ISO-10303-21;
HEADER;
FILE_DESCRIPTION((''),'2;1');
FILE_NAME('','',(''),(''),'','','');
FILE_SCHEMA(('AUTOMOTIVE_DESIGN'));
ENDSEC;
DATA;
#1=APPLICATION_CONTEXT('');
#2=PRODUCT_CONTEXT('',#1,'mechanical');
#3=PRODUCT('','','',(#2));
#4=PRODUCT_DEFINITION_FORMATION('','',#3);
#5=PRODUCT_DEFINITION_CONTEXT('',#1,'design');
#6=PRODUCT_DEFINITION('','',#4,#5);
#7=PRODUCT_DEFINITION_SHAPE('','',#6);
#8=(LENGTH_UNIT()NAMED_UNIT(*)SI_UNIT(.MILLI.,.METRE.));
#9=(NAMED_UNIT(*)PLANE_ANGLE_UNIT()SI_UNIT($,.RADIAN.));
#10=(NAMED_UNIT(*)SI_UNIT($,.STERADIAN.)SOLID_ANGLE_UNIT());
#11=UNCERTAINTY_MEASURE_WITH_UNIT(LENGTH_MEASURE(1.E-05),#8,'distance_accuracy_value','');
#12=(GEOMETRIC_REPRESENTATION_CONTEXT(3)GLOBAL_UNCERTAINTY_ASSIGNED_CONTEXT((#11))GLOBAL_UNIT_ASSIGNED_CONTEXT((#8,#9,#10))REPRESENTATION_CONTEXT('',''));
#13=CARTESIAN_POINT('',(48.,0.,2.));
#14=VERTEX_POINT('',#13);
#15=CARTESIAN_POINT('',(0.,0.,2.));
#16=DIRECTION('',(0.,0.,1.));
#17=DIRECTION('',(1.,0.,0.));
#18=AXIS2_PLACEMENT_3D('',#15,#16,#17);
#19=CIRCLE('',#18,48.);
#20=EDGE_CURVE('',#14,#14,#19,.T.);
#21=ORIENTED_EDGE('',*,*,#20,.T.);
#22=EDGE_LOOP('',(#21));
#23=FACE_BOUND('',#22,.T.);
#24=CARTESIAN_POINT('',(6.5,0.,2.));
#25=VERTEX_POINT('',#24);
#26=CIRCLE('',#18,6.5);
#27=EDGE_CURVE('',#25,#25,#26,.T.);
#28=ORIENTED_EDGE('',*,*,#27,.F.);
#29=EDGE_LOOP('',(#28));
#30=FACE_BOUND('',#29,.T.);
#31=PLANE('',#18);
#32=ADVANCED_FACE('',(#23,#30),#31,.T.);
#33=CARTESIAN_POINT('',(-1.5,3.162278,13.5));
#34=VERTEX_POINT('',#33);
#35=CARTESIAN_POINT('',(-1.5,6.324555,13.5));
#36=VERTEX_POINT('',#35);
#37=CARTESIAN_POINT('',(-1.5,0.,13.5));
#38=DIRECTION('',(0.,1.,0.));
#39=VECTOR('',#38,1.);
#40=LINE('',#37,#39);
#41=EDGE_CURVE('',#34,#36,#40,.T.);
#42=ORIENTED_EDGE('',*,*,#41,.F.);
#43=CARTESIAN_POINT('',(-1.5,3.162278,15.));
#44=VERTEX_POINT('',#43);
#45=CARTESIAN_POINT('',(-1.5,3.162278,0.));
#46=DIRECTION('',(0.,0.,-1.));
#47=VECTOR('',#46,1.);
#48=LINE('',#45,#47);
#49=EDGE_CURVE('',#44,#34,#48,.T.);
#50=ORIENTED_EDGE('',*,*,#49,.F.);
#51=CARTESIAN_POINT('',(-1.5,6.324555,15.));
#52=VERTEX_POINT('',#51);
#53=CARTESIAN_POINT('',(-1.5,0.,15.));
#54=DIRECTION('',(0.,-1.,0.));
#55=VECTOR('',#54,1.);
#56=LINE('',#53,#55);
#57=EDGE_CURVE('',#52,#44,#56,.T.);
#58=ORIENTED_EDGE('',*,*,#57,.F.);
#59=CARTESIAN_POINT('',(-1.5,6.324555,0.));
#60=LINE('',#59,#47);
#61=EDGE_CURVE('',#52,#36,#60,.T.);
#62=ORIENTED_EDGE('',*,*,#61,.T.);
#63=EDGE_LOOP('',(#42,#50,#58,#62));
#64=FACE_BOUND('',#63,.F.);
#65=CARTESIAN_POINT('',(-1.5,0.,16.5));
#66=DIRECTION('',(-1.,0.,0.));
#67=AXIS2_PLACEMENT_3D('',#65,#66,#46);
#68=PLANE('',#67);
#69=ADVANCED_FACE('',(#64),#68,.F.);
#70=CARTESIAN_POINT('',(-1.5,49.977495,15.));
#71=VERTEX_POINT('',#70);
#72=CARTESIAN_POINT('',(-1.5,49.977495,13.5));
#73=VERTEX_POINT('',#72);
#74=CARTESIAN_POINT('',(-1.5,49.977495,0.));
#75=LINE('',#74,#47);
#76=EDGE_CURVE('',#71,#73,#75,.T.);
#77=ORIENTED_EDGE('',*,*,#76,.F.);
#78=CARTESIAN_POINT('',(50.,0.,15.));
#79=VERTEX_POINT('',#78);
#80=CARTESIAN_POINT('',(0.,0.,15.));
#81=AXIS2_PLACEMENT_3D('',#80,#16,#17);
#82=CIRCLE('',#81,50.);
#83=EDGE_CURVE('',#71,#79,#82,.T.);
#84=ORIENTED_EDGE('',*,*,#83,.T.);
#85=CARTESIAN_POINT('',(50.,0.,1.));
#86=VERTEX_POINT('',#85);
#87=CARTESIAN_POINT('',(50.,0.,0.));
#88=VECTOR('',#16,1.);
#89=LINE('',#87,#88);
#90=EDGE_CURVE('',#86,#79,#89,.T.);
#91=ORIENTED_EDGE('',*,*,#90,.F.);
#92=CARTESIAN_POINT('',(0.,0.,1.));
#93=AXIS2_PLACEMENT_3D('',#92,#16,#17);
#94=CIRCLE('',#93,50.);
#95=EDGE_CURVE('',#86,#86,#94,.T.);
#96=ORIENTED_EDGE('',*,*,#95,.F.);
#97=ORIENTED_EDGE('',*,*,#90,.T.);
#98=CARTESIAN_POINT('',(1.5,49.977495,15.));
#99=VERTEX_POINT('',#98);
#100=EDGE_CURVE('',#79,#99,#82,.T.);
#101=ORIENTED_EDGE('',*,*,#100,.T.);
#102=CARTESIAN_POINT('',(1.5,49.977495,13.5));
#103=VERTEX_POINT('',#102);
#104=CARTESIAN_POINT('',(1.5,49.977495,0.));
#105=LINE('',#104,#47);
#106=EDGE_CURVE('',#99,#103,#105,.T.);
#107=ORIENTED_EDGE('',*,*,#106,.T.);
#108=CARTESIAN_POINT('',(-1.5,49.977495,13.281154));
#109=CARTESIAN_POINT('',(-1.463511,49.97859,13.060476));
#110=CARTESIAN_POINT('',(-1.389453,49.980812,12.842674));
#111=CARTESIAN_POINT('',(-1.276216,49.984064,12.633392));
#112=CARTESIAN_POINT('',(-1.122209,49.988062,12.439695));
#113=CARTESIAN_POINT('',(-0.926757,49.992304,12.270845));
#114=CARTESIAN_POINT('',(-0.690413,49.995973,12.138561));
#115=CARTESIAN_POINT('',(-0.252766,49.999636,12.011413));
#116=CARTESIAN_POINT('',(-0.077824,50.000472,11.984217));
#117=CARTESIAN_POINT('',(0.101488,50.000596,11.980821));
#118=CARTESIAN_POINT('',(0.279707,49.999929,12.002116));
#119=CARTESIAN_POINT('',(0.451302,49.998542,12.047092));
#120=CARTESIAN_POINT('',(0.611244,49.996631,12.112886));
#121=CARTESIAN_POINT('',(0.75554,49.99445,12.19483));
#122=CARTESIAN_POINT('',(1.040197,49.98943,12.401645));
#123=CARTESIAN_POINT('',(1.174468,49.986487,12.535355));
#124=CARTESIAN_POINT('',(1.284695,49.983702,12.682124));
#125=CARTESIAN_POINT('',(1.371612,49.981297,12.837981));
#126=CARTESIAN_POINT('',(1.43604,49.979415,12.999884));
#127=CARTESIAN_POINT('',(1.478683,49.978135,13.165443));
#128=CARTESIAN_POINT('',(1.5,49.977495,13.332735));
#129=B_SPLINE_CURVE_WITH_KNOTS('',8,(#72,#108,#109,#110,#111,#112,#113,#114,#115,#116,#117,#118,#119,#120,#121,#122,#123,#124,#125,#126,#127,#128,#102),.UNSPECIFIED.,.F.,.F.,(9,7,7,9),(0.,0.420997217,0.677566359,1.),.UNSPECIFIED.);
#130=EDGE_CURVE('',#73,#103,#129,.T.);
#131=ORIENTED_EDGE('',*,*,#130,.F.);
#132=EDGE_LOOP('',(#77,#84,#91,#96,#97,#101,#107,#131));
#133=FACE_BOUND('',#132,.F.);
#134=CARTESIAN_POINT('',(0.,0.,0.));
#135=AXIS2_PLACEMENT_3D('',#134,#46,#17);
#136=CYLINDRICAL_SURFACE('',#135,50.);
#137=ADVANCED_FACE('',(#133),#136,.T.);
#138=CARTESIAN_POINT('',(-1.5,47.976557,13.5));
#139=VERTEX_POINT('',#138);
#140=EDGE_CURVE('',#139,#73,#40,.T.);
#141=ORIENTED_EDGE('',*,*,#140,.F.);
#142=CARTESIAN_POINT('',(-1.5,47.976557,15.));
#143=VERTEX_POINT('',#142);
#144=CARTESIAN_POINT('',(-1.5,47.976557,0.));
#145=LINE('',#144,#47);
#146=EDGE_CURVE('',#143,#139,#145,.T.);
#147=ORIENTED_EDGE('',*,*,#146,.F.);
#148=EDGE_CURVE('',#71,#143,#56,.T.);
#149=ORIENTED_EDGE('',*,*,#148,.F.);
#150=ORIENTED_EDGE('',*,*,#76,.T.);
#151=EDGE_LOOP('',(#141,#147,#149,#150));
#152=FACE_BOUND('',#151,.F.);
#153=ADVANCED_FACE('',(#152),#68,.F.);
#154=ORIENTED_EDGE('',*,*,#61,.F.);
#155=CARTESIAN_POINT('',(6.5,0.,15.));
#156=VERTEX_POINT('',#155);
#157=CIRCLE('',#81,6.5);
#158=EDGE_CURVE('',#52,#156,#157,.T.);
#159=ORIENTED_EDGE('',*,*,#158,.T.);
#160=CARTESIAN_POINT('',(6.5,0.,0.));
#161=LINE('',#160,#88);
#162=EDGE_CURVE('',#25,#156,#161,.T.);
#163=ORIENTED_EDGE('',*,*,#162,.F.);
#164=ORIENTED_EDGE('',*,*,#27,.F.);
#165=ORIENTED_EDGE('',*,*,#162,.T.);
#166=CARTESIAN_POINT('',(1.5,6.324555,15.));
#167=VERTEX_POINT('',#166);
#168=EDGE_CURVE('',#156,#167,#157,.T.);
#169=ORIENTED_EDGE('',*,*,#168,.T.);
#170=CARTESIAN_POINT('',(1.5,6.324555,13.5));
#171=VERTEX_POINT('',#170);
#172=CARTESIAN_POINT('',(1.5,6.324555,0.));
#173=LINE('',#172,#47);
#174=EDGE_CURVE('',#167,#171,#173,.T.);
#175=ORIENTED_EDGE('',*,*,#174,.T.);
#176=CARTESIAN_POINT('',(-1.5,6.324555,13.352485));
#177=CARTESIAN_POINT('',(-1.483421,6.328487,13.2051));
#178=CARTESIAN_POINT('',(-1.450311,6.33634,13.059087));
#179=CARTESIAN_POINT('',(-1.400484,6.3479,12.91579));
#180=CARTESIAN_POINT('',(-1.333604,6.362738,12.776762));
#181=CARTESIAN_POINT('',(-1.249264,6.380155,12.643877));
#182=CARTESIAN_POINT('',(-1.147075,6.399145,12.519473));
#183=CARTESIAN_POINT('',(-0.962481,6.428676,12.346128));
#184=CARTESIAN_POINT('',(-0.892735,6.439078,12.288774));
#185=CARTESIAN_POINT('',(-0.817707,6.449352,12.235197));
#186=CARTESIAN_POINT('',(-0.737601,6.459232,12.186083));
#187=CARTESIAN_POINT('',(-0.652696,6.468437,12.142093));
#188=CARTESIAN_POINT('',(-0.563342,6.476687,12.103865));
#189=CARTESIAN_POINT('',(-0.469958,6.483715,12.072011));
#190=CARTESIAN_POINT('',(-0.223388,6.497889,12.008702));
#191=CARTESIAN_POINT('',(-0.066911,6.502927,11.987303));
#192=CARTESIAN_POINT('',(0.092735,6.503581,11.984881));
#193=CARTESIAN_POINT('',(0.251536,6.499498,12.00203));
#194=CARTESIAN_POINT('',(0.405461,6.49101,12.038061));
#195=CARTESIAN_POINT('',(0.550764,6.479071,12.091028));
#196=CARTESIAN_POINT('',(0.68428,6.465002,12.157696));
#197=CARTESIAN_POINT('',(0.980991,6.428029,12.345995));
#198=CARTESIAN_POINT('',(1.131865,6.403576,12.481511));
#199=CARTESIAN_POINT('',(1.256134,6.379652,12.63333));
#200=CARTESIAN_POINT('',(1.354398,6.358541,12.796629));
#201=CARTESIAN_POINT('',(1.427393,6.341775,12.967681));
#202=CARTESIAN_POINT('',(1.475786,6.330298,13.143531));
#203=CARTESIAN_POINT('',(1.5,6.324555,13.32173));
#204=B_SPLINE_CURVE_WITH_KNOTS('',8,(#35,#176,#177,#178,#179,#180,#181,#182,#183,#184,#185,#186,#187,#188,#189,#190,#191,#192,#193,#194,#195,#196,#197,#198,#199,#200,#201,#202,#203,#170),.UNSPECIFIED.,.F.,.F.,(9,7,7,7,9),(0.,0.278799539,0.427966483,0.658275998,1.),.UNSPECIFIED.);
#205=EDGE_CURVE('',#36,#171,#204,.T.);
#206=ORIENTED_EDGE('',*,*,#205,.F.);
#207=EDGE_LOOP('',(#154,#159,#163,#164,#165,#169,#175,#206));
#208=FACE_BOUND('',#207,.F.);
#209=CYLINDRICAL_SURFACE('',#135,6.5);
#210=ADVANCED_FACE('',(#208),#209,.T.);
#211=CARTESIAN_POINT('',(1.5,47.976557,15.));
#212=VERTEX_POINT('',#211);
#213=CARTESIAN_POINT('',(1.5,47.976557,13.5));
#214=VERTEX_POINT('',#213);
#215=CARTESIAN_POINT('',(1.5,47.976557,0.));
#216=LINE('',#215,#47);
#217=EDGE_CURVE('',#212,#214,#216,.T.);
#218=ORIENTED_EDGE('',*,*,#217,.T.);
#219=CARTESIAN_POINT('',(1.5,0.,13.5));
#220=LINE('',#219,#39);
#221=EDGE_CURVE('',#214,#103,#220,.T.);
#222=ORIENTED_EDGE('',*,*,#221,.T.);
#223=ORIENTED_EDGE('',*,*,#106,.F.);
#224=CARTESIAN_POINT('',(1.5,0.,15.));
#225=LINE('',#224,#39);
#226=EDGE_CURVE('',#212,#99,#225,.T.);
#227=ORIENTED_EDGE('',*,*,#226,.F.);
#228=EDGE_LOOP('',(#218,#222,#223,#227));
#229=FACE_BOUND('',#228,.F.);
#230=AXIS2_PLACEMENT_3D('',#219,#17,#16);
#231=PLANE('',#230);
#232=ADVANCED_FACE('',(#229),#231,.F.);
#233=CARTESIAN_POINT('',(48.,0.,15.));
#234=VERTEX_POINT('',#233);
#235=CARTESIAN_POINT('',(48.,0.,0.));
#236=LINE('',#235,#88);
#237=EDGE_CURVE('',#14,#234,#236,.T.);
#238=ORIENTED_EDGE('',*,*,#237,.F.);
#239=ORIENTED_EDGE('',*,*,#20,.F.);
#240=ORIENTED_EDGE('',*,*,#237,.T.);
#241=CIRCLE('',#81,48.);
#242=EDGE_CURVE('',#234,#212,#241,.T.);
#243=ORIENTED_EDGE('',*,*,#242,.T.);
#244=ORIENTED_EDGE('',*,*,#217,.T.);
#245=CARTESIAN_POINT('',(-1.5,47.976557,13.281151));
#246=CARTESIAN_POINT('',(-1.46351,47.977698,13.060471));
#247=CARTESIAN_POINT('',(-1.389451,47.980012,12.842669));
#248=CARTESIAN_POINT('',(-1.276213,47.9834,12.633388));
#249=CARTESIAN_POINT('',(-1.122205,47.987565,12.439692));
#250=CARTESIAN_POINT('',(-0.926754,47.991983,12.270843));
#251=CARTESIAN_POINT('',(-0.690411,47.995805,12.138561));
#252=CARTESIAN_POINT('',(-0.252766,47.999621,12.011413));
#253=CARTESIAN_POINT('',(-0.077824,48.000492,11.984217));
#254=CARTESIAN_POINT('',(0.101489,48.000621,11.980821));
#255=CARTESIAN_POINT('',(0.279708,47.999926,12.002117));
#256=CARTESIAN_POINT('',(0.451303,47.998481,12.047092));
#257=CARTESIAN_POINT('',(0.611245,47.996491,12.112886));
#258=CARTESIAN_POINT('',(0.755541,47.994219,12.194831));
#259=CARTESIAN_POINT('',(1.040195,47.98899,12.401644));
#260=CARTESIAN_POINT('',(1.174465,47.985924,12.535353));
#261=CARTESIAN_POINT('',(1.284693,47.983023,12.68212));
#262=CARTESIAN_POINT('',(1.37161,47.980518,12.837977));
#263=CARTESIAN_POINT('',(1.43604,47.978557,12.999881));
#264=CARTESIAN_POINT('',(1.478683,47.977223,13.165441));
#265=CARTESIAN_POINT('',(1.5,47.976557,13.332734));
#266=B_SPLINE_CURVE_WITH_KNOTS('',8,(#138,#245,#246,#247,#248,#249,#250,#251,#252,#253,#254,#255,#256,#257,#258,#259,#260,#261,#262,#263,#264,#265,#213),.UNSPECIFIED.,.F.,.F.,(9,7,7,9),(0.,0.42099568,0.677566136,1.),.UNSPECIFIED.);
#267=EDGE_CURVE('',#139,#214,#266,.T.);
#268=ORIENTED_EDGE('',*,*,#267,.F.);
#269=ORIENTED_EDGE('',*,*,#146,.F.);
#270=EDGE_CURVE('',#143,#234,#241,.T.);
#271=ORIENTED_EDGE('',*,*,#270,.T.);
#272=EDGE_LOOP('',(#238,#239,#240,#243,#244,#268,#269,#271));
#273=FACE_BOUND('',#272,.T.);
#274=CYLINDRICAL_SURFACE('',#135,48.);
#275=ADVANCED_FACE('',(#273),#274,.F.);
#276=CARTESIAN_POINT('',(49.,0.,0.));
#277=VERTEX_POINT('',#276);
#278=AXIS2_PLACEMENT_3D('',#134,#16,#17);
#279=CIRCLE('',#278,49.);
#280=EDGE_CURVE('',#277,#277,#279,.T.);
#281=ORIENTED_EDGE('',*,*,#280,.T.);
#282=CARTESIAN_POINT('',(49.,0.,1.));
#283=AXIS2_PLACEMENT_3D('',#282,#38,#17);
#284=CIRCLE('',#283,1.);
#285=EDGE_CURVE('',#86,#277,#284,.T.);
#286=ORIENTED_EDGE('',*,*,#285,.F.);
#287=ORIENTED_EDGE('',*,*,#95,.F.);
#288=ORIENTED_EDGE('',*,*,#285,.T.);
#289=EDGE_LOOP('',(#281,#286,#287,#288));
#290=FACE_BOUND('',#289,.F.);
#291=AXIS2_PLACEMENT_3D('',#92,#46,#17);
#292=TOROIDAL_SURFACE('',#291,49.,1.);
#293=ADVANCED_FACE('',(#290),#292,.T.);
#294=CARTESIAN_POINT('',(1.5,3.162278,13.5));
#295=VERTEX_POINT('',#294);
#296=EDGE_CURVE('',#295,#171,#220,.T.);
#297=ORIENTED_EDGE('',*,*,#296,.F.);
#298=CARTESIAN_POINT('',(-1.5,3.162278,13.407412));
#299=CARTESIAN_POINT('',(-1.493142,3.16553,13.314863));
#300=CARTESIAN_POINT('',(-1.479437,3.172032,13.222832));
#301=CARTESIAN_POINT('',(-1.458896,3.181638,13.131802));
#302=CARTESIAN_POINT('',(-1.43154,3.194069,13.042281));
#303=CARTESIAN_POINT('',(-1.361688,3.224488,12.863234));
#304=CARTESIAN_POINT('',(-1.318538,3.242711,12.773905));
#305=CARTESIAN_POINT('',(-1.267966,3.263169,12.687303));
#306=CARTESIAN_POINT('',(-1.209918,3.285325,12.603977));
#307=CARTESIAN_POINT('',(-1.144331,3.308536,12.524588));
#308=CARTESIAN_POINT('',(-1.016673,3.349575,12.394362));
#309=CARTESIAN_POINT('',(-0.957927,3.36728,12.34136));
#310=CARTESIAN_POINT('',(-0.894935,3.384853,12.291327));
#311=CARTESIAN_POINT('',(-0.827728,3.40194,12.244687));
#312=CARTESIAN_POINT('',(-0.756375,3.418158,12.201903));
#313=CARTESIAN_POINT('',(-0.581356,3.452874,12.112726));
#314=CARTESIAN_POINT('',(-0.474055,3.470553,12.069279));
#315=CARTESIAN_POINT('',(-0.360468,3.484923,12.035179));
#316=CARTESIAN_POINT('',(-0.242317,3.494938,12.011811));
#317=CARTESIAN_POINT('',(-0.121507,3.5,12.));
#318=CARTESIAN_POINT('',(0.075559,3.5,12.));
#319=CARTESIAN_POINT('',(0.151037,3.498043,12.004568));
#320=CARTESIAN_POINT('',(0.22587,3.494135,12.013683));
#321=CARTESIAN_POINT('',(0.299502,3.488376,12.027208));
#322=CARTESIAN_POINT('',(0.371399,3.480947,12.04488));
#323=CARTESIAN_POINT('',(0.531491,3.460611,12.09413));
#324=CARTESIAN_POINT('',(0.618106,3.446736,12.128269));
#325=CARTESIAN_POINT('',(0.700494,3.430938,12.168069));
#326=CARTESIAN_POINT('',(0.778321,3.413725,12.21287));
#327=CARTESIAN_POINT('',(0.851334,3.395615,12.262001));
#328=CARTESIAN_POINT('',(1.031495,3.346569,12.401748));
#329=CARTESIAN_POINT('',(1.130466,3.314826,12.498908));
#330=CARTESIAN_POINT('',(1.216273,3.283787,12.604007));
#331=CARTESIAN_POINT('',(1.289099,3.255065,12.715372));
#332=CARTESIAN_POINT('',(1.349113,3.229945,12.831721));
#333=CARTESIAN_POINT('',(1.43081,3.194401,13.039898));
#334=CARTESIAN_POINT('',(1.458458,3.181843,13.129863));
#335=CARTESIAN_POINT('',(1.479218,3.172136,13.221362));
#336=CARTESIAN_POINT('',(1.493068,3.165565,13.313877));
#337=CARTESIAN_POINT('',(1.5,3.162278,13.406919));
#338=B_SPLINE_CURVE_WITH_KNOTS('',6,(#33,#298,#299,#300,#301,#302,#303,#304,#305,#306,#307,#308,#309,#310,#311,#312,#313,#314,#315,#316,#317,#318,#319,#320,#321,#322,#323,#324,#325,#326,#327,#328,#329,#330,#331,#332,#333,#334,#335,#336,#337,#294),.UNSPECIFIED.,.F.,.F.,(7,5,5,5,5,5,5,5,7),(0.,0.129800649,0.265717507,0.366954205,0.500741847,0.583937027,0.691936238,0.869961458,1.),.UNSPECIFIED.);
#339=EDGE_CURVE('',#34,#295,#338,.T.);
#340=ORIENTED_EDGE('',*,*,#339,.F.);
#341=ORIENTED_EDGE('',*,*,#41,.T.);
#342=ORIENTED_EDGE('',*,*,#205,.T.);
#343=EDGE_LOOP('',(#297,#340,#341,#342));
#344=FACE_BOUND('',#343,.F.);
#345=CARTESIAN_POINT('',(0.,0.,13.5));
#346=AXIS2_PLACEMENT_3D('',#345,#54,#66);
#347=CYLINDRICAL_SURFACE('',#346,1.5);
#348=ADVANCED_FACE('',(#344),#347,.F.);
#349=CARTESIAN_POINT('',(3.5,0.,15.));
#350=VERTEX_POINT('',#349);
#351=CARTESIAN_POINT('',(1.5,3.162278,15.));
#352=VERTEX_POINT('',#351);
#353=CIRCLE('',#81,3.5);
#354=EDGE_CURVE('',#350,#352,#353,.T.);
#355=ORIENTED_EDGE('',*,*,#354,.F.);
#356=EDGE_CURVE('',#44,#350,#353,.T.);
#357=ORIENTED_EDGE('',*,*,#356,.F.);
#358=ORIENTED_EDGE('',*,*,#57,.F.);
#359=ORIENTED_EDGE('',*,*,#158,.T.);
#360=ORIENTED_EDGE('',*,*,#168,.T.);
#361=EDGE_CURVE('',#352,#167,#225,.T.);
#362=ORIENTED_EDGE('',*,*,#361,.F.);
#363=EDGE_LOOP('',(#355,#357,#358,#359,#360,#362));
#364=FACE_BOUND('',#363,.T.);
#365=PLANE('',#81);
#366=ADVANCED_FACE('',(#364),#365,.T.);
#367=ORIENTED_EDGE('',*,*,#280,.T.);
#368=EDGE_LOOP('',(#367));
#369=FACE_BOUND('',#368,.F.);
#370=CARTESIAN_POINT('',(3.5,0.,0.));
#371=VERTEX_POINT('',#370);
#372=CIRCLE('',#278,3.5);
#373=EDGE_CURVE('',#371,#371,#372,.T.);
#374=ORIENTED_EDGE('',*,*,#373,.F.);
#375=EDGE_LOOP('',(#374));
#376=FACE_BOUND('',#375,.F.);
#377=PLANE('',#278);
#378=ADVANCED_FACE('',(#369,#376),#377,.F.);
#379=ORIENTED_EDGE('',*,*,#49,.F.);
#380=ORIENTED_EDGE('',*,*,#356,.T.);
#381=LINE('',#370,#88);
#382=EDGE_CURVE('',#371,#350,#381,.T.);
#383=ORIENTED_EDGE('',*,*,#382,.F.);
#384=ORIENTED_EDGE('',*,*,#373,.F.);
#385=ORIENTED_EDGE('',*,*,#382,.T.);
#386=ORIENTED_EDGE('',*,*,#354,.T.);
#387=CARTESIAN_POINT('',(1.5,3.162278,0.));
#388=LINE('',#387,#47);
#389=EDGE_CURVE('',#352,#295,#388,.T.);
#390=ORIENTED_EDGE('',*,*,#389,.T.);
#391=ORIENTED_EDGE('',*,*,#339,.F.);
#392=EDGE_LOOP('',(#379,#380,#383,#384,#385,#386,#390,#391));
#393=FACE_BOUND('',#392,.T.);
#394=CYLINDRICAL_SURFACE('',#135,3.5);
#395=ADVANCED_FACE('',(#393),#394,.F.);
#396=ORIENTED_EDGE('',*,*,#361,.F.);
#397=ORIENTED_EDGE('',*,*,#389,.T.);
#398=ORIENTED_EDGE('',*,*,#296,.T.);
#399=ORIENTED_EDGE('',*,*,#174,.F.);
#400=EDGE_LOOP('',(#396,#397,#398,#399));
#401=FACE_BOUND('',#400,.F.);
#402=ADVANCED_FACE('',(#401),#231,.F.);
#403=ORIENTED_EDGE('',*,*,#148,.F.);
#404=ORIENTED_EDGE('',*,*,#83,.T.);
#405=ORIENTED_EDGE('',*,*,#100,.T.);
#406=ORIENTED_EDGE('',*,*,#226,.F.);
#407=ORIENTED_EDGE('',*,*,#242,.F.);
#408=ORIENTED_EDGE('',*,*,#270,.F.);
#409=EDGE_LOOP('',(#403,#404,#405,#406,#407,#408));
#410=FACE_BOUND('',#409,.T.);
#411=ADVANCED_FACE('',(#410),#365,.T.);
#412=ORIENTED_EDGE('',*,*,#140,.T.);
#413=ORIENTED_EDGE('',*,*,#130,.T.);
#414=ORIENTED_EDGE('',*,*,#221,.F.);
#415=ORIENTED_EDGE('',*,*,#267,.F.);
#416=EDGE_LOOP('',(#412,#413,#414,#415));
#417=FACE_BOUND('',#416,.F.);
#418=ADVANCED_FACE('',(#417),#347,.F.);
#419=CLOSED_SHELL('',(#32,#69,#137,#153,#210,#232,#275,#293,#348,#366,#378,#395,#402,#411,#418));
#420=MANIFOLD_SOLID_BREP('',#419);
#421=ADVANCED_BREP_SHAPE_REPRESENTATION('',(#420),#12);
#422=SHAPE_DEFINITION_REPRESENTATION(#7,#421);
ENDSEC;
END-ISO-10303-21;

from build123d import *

# Parameters (mm, degrees)
F0_R     = 48
F0_R_2   = 6.5
F1_DEPTH = 2
F0_R_3   = 50
F0_R_4   = 3.5
F2_DEPTH = 15
F4_DEPTH = 70
F5_R     = 1


with BuildPart() as f1:
    # F0 (on Top) → F1 (new body)
    with BuildSketch(Plane.XY):
        Circle(F0_R)
        Circle(F0_R_2, mode=Mode.SUBTRACT)
    extrude(amount=F1_DEPTH)

    # F0 (on Top) → F2 (join)
    with BuildSketch(Plane.XY):
        Circle(F0_R_3)
        Circle(F0_R, mode=Mode.SUBTRACT)
        Circle(F0_R_2)
        Circle(F0_R_4, mode=Mode.SUBTRACT)
    extrude(amount=F2_DEPTH)

    # F3 (on Front) → F4 (cut)
    with BuildSketch(Plane.XZ):
        with BuildLine():
            ThreePointArc((-1.5, 13.5), (0, 15), (1.5, 13.5))
            Line((1.5, 13.5), (1.5, 16.5))
            Line((1.5, 16.5), (-1.5, 16.5))
            Line((-1.5, 16.5), (-1.5, 13.5))
        make_face()
        with BuildLine():
            Line((-1.5, 13.5), (1.5, 13.5))
            ThreePointArc((1.5, 13.5), (0, 15), (-1.5, 13.5))
        make_face()
        with BuildLine():
            ThreePointArc((-1.5, 13.5), (0, 12), (1.5, 13.5))
            Line((1.5, 13.5), (-1.5, 13.5))
        make_face()
    extrude(amount=-F4_DEPTH, mode=Mode.SUBTRACT)

    # F5
    f5_edges = [f1.edges().sort_by_distance(p)[0] for p in [
        (-50, 0, 0),
    ]]
    fillet(f5_edges, radius=F5_R)


solid = f1.part
